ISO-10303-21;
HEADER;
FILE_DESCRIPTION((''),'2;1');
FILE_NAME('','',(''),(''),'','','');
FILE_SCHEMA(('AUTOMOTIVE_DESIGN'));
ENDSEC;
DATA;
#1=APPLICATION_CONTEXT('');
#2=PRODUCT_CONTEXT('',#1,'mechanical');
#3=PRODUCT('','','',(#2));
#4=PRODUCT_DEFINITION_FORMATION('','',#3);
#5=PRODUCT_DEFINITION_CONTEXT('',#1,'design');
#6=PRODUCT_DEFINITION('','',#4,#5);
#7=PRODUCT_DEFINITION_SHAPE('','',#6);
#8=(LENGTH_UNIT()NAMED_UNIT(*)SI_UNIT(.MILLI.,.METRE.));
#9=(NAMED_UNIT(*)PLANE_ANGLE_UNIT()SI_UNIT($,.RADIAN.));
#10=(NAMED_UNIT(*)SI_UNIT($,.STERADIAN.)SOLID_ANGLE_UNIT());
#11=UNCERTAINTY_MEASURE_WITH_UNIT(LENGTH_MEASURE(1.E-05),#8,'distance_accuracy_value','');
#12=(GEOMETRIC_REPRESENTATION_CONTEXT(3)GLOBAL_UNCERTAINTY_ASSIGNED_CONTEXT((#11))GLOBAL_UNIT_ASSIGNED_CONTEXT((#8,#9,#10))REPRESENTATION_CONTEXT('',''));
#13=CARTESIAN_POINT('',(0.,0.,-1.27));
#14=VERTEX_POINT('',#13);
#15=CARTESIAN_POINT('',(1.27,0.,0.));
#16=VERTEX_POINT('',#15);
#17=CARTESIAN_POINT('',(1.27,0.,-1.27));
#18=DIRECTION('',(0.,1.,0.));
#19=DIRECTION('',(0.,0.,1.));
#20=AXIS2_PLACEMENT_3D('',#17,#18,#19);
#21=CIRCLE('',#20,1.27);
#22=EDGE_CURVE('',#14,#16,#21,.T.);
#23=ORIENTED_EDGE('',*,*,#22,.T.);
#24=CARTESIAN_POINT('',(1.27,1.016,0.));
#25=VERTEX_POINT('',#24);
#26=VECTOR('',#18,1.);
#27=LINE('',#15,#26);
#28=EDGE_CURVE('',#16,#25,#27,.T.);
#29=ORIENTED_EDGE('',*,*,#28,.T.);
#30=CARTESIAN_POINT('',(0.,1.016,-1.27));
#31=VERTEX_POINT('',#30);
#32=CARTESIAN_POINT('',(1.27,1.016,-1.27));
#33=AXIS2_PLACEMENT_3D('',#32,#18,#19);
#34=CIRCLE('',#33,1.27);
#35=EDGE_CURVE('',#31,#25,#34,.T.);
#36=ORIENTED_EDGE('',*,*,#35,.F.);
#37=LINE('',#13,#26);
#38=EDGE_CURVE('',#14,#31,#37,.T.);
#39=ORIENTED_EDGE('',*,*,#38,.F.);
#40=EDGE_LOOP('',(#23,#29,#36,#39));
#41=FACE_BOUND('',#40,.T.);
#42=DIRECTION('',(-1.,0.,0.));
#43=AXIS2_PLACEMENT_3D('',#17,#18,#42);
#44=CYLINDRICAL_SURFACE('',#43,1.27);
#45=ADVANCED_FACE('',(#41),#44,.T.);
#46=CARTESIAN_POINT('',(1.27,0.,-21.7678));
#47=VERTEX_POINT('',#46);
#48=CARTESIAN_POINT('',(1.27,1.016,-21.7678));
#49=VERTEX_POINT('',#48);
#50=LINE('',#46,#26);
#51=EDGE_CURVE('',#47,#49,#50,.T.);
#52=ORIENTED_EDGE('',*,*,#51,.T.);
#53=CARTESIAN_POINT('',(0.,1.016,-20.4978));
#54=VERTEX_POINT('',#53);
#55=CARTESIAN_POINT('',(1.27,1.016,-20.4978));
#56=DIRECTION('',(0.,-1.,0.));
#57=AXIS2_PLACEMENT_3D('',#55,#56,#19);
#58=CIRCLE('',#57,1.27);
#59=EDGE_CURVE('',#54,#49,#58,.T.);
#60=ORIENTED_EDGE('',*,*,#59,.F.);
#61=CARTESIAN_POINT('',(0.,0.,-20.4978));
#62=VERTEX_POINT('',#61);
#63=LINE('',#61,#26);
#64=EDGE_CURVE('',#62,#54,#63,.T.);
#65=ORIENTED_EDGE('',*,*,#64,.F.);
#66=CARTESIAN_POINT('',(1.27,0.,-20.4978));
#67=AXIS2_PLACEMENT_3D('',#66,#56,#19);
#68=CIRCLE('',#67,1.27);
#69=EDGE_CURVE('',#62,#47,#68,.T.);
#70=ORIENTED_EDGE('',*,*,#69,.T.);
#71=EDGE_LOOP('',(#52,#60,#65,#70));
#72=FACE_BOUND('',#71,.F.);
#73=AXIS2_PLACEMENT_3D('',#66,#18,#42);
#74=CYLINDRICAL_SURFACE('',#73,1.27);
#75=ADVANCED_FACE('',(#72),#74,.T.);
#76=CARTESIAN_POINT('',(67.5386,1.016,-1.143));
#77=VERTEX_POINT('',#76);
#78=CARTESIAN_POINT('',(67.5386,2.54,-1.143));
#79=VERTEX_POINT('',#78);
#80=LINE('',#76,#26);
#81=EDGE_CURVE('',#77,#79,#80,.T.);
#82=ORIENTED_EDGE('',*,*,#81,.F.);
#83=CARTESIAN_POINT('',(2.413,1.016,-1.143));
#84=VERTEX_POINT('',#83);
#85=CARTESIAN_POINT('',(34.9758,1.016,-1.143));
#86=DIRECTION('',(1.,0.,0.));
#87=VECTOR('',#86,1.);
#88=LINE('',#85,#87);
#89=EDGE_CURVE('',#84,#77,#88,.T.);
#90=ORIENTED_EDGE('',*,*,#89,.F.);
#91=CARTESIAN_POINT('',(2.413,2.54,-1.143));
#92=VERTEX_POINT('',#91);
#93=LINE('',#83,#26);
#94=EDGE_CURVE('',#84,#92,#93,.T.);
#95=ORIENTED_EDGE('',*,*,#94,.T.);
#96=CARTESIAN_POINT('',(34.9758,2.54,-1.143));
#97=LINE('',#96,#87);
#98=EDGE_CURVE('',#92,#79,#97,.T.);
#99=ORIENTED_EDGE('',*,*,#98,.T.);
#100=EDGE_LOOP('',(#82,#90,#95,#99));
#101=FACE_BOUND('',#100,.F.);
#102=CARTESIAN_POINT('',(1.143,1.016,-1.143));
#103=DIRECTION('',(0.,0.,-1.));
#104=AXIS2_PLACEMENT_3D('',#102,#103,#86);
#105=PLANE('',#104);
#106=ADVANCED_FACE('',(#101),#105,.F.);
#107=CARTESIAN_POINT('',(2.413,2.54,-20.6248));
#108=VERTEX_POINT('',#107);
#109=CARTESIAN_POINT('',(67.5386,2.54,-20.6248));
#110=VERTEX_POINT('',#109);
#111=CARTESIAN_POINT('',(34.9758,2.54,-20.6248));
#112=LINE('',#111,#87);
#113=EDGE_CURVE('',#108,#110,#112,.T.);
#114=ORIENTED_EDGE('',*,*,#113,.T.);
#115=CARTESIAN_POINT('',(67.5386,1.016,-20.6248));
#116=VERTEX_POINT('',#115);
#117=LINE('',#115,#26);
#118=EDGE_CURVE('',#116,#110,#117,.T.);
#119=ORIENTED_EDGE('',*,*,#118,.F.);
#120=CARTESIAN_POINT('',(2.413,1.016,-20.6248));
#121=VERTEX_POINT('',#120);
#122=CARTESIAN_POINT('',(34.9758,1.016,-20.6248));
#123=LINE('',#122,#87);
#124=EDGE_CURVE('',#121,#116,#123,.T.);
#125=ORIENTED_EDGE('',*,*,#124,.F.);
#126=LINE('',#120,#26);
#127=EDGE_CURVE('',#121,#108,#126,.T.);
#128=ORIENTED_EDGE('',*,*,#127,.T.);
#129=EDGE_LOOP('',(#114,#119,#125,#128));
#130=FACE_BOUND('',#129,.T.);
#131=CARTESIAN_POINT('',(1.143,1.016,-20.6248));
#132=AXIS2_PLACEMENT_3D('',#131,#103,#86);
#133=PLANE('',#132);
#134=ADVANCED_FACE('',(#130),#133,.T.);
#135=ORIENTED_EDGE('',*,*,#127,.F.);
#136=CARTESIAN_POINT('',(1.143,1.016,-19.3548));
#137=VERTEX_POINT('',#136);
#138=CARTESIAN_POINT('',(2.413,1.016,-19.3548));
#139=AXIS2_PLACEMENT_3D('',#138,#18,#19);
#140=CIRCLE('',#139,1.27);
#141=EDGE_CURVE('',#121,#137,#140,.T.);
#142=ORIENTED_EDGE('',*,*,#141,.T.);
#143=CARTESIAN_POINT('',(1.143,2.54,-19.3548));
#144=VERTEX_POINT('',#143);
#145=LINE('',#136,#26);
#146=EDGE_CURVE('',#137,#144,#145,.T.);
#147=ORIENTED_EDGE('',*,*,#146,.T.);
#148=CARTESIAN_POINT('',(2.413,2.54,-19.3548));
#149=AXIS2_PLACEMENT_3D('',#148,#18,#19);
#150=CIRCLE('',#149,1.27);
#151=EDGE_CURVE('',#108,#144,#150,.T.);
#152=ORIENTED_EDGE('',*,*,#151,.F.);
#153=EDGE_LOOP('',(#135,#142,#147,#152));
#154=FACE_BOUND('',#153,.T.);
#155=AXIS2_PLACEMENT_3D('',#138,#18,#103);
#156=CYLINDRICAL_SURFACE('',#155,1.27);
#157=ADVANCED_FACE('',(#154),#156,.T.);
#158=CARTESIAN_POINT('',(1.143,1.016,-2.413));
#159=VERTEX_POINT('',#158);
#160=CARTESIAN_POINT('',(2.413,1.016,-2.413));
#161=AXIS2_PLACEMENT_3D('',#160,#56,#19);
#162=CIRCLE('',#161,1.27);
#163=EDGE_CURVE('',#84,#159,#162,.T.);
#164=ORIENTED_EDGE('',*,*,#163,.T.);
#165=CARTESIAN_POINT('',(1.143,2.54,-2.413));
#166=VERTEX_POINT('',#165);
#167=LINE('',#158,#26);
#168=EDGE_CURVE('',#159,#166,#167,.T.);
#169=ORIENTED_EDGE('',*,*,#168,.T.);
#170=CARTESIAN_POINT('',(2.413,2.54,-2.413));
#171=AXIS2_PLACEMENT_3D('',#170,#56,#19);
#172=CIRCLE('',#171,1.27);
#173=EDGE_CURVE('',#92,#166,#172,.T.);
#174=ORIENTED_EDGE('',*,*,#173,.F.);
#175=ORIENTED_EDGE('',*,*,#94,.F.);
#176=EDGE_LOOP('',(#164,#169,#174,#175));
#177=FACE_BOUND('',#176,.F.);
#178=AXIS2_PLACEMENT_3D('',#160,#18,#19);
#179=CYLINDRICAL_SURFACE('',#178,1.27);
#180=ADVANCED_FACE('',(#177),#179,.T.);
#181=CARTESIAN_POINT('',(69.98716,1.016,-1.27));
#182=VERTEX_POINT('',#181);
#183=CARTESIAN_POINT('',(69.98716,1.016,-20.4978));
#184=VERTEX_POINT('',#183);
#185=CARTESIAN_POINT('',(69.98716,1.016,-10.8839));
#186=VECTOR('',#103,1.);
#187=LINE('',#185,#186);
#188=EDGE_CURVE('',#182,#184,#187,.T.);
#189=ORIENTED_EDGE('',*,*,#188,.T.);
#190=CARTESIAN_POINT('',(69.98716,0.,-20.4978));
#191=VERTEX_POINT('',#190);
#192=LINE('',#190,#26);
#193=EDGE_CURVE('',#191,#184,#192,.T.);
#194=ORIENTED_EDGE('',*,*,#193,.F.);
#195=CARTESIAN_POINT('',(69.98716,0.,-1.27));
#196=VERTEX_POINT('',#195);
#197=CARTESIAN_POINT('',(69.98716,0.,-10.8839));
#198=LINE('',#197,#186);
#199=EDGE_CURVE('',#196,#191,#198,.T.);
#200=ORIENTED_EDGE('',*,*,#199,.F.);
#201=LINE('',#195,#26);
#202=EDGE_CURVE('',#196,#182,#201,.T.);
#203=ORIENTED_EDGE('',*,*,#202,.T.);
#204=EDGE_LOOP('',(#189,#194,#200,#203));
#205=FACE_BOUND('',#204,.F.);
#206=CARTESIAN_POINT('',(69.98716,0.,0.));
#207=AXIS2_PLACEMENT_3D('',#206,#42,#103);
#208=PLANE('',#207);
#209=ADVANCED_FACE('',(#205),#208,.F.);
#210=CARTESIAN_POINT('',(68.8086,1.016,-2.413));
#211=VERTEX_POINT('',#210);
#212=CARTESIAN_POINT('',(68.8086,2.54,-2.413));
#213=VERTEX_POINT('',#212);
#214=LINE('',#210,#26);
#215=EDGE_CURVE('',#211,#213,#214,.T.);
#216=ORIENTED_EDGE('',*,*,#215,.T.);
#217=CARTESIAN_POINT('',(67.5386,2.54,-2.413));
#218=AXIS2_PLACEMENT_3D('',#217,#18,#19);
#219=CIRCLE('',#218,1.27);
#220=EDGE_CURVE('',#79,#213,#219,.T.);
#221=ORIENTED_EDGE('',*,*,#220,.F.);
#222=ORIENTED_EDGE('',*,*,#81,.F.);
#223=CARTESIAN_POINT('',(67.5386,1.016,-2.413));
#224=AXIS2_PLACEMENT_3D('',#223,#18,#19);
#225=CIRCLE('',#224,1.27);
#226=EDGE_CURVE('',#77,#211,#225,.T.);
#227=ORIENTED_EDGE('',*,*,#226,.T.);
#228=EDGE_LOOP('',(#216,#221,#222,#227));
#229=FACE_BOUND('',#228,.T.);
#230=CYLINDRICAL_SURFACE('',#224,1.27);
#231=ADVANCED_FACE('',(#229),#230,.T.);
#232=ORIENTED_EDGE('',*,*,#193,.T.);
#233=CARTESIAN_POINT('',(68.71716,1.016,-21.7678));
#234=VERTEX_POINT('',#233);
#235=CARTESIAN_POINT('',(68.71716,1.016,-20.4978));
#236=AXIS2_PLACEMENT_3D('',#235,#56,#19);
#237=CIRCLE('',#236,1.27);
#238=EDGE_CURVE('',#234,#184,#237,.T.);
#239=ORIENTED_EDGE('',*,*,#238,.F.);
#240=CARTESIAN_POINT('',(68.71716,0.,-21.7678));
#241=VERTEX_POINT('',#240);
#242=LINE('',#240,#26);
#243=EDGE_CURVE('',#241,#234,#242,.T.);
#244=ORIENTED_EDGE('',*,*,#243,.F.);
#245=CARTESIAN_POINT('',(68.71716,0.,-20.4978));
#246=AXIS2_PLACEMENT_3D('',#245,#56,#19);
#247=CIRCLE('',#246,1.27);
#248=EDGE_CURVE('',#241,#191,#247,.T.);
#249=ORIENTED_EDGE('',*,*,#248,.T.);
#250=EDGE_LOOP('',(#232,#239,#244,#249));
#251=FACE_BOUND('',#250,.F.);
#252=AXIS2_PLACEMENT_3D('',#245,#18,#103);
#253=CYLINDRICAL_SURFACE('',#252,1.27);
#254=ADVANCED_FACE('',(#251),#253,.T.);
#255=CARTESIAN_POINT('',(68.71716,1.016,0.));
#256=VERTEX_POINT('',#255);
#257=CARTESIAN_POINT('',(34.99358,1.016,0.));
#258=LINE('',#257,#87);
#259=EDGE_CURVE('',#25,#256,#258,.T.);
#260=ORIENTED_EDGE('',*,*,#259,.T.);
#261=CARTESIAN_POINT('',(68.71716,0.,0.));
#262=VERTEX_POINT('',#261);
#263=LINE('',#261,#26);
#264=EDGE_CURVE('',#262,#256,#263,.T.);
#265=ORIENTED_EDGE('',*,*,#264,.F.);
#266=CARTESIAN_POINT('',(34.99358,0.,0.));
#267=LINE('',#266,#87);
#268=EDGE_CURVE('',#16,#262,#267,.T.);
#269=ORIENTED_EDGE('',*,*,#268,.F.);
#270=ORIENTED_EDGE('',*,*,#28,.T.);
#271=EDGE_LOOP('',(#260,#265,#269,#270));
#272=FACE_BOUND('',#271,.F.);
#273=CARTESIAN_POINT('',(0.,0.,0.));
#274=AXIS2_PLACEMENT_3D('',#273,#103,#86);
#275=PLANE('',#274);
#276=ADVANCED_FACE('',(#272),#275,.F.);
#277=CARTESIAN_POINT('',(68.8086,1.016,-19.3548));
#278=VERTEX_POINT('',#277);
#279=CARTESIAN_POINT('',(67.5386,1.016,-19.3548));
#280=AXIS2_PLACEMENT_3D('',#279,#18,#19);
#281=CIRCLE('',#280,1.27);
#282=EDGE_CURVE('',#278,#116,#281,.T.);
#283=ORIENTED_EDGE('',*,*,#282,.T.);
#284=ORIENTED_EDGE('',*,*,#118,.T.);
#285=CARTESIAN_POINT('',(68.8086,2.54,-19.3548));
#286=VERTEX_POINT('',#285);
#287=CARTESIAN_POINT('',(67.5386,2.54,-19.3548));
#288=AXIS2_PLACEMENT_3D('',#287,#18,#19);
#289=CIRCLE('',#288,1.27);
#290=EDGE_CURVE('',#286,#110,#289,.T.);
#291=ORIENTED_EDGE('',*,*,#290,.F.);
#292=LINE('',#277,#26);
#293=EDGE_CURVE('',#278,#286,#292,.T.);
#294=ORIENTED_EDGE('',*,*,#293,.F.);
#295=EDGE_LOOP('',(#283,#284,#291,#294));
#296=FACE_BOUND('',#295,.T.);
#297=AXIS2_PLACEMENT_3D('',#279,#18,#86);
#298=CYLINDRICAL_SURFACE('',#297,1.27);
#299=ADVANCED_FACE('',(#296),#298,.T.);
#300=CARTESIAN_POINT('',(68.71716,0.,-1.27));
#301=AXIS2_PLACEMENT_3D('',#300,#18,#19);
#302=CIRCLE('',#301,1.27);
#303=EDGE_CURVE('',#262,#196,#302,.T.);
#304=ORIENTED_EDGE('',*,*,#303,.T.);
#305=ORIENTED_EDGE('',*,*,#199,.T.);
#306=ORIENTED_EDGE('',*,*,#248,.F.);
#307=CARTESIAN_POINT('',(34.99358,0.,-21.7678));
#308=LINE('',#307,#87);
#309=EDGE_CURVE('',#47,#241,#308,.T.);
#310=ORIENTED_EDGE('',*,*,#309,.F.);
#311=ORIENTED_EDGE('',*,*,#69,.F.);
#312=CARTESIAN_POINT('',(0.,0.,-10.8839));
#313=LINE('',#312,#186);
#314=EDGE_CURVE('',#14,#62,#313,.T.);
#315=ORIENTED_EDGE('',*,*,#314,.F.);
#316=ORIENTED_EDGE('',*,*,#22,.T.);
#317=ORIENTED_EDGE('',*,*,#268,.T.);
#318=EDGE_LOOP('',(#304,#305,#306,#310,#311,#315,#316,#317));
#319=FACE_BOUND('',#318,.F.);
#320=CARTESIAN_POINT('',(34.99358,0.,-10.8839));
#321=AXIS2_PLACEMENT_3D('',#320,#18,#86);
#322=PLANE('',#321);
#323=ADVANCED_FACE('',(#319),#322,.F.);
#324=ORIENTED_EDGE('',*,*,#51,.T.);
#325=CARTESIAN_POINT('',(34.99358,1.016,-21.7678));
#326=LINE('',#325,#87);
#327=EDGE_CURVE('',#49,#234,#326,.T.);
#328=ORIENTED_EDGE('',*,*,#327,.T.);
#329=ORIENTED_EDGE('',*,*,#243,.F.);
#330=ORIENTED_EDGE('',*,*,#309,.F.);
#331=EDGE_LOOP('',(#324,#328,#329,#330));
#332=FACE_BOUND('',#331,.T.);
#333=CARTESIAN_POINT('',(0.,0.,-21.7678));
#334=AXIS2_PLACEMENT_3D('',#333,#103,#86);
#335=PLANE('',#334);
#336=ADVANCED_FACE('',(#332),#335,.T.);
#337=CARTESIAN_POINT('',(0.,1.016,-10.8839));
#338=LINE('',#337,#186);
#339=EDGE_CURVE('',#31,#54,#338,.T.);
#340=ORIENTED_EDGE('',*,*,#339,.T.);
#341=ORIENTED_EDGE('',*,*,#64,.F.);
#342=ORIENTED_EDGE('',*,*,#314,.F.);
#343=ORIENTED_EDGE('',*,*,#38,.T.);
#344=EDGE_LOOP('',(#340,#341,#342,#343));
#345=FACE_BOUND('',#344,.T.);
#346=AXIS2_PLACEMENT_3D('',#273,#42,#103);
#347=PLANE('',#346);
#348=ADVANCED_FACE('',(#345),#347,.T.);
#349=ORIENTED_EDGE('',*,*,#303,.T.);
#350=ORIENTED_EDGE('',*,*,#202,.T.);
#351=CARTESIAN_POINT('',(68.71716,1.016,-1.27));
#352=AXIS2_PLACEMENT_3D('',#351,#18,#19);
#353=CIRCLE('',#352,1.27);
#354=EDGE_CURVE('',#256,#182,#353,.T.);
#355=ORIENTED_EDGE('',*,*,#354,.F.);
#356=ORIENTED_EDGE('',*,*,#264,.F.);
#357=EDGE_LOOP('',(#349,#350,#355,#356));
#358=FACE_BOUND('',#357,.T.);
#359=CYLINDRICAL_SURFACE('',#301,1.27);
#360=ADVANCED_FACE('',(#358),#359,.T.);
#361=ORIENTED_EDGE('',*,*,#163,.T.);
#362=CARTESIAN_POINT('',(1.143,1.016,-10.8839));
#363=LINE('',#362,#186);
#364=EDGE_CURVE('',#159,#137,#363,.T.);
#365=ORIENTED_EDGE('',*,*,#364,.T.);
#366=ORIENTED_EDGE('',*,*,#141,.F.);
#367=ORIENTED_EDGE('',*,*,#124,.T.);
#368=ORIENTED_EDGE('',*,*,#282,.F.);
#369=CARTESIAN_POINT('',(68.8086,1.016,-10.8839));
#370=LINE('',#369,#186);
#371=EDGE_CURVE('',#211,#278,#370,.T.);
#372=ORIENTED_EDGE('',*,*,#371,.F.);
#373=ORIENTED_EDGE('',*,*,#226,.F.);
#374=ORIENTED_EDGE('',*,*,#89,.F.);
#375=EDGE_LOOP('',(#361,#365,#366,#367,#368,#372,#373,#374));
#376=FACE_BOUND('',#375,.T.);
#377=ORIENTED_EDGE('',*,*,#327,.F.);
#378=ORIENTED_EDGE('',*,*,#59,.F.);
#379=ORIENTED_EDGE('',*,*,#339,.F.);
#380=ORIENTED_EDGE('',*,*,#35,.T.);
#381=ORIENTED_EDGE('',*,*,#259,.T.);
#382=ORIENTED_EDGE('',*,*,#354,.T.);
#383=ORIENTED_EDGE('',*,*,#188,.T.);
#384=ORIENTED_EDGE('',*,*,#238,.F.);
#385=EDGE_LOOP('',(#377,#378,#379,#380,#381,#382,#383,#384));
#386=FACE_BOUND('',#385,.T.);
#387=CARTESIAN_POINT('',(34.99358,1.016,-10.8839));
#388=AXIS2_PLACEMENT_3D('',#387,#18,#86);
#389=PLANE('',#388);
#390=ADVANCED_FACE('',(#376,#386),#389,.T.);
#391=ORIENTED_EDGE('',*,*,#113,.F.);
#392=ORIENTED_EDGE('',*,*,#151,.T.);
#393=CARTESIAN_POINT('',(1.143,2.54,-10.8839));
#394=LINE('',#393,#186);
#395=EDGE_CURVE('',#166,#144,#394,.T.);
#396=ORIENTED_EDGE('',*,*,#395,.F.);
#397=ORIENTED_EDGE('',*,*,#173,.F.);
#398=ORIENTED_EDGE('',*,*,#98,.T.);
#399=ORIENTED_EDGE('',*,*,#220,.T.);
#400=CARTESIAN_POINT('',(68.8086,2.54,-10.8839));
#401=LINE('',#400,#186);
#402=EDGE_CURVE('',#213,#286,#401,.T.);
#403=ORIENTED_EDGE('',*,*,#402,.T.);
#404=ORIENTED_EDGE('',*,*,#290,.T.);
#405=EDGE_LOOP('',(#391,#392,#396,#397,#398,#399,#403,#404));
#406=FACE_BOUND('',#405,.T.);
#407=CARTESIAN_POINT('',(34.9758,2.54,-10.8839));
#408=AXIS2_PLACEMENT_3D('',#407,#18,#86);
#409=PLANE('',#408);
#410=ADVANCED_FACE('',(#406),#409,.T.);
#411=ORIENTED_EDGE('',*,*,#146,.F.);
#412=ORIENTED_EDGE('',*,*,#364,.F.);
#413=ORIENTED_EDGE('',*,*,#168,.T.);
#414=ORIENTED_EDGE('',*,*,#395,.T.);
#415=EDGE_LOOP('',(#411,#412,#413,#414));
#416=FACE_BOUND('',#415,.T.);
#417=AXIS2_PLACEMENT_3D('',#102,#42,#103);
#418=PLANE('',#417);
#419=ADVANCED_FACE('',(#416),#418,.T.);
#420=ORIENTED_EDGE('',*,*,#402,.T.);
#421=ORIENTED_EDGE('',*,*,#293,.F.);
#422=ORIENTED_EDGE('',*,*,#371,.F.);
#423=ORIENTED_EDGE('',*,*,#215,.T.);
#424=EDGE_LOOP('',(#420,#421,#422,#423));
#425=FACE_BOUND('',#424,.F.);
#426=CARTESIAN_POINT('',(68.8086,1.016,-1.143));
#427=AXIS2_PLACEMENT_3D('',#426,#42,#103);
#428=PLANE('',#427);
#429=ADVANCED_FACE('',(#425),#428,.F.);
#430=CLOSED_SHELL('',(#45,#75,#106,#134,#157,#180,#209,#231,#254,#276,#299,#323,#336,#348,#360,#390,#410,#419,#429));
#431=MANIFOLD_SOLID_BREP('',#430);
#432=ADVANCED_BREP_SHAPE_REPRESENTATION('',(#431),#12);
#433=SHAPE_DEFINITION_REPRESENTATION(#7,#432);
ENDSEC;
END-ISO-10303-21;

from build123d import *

# Parameters (mm, degrees)
SKETCH2_W           = 69.98716
SKETCH2_H           = 21.7678
BOSS_EXTRUDE1_DEPTH = 1.016
SKETCH3_W           = 67.6656
SKETCH3_H           = 19.4818
BOSS_EXTRUDE2_DEPTH = 1.524
FILLET1_R           = 1.27


with BuildPart() as part:
    # Sketch2 → Boss-Extrude1 (new body)
    with BuildSketch(Plane(origin=(0, 0, 0), x_dir=(1, 0, 0), z_dir=(0, 1, 0))):
        with Locations((34.99358, 10.8839)):
            Rectangle(SKETCH2_W, SKETCH2_H)
    extrude(amount=BOSS_EXTRUDE1_DEPTH)

    # Sketch3 → Boss-Extrude2 (add)
    with BuildSketch(Plane(origin=(0, 1.016, 0), x_dir=(1, 0, 0), z_dir=(0, 1, 0))):
        with Locations((34.9758, 10.8839)):
            Rectangle(SKETCH3_W, SKETCH3_H)
    extrude(amount=BOSS_EXTRUDE2_DEPTH)

    # Fillet1
    fillet1_edges = [part.edges().sort_by_distance(p)[0] for p in [
        (1.143, 1.778, -20.6248),
        (1.143, 1.778, -1.143),
        (68.8086, 1.778, -1.143),
        (68.8086, 1.778, -20.6248),
        (0, 0.508, -21.7678),
        (69.98716, 0.508, -21.7678),
        (69.98716, 0.508, 0),
        (0, 0.508, 0),
    ]]
    fillet(fillet1_edges, radius=FILLET1_R)


solid = part.part
